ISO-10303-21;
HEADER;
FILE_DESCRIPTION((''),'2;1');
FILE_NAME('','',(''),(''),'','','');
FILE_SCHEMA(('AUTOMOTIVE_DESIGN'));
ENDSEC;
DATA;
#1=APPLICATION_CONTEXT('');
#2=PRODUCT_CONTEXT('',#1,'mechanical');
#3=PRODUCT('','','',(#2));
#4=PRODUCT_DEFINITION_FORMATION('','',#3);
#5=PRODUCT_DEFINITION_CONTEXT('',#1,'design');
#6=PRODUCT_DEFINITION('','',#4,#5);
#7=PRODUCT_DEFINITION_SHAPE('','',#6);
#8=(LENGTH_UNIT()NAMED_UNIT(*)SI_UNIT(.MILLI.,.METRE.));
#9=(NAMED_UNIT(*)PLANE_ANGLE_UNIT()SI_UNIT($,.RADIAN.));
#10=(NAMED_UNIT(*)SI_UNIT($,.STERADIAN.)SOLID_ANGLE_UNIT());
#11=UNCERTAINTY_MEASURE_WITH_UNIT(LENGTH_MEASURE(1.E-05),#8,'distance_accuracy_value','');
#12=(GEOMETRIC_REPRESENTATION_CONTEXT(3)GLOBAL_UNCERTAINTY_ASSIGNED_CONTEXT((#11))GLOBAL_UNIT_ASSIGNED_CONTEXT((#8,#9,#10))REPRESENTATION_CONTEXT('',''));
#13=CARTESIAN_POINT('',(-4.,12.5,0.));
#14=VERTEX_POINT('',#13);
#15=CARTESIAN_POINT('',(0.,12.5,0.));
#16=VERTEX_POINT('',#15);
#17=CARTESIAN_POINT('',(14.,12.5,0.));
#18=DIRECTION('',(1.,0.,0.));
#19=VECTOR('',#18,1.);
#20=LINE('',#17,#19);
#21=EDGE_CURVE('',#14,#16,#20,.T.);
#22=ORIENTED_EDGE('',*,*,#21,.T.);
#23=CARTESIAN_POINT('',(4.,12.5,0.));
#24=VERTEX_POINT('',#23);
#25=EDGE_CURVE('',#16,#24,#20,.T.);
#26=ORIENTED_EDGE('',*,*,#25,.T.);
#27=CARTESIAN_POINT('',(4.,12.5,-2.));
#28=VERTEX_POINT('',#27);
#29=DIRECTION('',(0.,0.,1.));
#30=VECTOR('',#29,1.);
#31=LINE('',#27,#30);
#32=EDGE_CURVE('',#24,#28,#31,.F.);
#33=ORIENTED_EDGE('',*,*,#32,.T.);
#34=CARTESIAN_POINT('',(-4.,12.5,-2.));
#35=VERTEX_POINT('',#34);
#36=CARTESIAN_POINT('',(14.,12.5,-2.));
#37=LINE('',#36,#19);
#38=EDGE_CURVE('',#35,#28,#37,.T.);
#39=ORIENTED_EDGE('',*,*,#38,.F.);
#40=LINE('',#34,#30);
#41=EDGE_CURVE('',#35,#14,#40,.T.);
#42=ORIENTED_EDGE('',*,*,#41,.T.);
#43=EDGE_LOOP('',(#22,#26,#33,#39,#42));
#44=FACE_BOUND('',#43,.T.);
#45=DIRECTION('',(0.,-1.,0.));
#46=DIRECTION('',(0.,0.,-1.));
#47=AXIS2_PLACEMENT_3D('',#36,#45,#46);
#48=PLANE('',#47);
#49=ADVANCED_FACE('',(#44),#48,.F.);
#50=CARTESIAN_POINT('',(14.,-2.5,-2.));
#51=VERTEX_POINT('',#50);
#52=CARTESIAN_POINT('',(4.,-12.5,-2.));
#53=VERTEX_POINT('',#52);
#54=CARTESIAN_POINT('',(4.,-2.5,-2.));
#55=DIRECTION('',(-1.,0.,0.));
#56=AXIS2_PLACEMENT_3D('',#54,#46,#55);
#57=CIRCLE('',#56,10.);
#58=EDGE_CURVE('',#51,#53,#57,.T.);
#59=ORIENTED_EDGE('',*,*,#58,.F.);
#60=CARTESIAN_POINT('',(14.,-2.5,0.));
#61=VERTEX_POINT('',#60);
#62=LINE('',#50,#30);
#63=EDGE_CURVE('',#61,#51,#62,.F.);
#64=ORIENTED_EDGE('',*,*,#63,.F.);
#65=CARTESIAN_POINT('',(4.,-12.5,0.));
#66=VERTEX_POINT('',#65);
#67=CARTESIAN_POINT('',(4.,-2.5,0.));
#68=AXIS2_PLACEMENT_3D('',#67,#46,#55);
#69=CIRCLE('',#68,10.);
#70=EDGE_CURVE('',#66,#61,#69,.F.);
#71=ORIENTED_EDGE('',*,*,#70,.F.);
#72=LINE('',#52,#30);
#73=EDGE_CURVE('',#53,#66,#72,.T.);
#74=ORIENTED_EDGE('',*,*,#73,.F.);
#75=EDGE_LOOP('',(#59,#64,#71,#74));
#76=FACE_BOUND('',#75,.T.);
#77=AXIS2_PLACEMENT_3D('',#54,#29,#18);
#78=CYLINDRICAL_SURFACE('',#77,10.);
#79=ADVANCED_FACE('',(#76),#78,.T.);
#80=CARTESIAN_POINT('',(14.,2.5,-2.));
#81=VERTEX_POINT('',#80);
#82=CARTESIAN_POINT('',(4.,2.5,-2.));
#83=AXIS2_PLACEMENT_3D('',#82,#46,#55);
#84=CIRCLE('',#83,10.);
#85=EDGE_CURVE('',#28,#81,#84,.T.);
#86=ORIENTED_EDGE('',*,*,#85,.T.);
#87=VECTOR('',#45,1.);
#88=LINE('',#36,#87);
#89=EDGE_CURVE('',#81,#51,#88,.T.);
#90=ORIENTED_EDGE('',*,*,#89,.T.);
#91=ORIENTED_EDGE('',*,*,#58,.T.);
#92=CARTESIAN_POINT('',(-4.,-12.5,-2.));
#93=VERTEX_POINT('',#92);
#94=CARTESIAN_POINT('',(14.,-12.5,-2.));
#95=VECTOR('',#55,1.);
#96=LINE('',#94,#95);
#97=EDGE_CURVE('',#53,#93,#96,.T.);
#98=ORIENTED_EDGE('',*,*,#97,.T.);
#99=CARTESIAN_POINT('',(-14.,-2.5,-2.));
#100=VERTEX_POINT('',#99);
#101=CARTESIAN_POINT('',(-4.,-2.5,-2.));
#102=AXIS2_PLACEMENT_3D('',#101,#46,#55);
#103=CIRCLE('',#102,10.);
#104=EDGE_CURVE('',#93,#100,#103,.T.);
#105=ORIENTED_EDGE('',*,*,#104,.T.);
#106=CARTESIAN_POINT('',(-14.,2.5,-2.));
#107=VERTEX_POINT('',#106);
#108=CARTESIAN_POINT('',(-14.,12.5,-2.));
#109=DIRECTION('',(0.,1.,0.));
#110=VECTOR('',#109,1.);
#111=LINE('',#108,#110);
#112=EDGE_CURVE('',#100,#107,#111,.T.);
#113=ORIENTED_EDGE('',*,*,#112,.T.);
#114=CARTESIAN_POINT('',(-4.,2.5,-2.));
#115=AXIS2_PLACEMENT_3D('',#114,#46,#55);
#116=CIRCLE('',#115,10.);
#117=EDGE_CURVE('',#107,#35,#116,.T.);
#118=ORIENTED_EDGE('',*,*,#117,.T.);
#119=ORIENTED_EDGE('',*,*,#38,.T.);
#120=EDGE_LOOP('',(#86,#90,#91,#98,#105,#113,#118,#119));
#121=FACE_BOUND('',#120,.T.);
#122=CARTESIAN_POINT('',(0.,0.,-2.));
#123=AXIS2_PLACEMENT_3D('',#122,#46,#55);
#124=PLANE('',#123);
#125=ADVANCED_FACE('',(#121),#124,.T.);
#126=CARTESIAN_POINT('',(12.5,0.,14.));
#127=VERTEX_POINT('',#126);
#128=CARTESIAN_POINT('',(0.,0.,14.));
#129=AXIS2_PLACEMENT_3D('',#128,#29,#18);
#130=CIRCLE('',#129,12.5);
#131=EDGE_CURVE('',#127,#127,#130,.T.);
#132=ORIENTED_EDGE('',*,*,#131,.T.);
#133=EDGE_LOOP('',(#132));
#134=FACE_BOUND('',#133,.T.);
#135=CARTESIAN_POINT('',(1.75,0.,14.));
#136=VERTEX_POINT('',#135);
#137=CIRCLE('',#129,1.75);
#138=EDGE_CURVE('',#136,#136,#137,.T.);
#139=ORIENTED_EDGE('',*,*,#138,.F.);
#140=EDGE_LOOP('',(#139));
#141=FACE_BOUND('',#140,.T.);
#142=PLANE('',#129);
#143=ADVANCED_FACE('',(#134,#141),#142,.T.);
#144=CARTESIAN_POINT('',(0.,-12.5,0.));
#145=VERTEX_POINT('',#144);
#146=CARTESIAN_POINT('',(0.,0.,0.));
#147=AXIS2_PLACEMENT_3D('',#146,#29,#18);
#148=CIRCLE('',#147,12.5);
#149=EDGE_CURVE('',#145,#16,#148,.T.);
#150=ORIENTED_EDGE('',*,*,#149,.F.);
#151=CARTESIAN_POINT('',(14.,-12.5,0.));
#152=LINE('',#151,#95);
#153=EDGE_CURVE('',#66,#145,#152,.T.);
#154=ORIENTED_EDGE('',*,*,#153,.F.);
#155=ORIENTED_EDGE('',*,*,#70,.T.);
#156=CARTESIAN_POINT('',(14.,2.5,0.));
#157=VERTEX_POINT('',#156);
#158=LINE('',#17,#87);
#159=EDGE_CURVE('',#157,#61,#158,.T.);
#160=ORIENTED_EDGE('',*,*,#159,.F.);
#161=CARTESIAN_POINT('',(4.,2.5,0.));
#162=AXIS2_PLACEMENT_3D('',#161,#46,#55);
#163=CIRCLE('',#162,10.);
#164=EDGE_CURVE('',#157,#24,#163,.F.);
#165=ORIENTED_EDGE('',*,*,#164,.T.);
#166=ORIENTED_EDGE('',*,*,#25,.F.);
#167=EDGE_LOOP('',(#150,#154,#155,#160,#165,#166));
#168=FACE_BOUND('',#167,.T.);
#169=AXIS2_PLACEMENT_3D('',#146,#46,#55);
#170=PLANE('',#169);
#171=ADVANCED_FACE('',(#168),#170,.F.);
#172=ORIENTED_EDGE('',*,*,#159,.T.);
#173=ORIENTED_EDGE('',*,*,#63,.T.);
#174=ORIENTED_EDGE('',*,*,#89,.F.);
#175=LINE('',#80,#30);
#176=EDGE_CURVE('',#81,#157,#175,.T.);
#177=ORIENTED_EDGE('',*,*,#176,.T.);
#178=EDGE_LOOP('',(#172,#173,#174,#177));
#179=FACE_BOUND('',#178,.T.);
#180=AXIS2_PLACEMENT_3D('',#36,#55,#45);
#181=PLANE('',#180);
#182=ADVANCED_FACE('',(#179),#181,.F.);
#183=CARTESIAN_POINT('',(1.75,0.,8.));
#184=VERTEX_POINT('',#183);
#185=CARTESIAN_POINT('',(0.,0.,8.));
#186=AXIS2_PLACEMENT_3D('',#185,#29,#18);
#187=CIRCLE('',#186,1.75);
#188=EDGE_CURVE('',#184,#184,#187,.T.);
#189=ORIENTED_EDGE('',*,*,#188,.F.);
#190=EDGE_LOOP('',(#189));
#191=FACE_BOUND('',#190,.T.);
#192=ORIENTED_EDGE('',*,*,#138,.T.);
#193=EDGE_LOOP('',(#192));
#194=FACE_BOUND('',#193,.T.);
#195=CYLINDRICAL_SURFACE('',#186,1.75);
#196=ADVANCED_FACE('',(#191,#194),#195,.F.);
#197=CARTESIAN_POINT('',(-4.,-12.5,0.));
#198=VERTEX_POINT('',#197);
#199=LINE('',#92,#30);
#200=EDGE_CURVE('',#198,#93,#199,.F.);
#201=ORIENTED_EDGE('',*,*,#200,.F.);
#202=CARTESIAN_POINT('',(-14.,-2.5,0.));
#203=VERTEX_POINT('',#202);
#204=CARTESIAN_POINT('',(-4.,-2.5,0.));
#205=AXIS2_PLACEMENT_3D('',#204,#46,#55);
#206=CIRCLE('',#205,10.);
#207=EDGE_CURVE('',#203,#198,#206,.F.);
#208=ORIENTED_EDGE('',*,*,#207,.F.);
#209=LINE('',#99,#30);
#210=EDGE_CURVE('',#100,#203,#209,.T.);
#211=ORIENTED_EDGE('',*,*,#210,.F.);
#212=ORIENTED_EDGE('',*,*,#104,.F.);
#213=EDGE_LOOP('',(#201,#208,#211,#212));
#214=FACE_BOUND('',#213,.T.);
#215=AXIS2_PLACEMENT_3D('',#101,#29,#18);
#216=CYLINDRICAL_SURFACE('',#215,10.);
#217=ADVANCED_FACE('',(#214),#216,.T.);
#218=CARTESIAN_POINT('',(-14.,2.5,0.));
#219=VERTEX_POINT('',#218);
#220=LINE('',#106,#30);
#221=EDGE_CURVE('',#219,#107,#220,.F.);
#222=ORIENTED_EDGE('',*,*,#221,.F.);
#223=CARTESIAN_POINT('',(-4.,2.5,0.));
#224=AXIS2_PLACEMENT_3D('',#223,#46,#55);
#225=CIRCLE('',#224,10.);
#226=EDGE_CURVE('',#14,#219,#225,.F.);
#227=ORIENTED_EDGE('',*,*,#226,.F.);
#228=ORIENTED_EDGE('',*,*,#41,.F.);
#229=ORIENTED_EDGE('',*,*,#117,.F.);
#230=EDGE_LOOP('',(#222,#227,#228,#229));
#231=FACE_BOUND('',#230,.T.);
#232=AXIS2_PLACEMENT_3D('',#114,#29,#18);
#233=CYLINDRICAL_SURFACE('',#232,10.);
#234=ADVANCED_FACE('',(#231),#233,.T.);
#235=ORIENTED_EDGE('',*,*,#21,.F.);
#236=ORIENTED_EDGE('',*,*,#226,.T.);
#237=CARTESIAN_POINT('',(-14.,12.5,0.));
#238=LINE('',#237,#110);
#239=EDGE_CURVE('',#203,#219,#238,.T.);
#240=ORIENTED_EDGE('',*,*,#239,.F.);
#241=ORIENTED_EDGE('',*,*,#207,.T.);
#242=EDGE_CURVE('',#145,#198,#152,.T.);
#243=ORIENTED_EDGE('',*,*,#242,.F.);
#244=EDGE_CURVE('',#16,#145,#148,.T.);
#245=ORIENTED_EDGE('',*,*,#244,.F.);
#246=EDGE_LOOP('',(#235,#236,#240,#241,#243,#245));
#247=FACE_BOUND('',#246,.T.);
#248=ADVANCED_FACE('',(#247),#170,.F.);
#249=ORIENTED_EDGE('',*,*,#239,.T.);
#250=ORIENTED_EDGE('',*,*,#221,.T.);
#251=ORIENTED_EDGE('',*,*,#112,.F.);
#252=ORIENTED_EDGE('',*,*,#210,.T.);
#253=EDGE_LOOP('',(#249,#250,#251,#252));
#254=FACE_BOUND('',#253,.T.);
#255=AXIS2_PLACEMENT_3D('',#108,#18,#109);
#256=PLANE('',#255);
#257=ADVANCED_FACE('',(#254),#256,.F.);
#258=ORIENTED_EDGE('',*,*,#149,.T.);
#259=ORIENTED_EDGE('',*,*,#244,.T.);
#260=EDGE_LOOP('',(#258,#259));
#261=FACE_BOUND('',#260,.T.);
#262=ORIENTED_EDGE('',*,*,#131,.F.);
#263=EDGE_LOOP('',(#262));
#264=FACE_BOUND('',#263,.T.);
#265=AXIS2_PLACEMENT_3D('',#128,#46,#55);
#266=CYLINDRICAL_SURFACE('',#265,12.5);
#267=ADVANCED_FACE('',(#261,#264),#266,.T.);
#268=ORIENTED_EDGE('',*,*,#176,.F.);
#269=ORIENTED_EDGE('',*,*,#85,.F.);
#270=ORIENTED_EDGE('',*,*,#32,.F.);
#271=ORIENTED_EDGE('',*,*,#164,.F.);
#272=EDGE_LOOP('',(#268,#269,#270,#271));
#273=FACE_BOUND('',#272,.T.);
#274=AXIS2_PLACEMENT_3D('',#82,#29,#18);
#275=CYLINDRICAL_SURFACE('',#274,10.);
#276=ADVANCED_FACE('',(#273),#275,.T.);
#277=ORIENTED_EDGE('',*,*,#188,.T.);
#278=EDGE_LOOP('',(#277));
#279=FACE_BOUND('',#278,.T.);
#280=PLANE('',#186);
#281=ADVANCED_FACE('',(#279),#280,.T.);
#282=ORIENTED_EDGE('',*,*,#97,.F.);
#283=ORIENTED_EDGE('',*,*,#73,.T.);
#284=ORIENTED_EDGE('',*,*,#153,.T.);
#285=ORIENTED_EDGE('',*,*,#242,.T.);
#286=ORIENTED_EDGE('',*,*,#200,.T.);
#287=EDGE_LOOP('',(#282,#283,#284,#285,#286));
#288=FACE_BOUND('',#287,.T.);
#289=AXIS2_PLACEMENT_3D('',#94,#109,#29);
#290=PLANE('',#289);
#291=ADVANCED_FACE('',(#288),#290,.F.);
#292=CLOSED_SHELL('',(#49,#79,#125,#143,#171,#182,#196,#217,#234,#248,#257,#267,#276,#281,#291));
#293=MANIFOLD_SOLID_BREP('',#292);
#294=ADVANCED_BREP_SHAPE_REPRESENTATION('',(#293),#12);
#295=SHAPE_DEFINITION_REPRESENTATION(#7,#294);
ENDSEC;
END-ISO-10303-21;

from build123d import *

# Parameters (mm, degrees)
SKETCH_1_R          = 12.5
EXTRUDE_1_DEPTH     = 14
SKETCH_2_R          = 1.75
CUT_EXTRUDE_1_DEPTH = 6
SKETCH_3_W          = 28
SKETCH_3_H          = 25
EXTRUDE_2_DEPTH     = 2
FILLET_1_R          = 10


with BuildPart() as part:
    # ｽｹｯﾁ1 → ﾎﾞｽ - 押し出し1 (new body)
    with BuildSketch(Plane.XY):
        Circle(SKETCH_1_R)
    extrude(amount=EXTRUDE_1_DEPTH)

    # ｽｹｯﾁ2 → ｶｯﾄ - 押し出し1 (cut)
    with BuildSketch(Plane.XY.offset(14)):
        Circle(SKETCH_2_R)
    extrude(amount=-CUT_EXTRUDE_1_DEPTH, mode=Mode.SUBTRACT)

    # ｽｹｯﾁ3 → ﾎﾞｽ - 押し出し2 (add)
    with BuildSketch(Plane(origin=(0, 0, 0), x_dir=(-1, 0, 0), z_dir=(0, 0, -1))):
        Rectangle(SKETCH_3_W, SKETCH_3_H)
    extrude(amount=EXTRUDE_2_DEPTH)

    # ﾌｨﾚｯﾄ1
    fillet_1_edges = [part.edges().sort_by_distance(p)[0] for p in [
        (14, 12.5, -1),
        (14, -12.5, -1),
        (-14, -12.5, -1),
        (-14, 12.5, -1),
    ]]
    fillet(fillet_1_edges, radius=FILLET_1_R)


solid = part.part
